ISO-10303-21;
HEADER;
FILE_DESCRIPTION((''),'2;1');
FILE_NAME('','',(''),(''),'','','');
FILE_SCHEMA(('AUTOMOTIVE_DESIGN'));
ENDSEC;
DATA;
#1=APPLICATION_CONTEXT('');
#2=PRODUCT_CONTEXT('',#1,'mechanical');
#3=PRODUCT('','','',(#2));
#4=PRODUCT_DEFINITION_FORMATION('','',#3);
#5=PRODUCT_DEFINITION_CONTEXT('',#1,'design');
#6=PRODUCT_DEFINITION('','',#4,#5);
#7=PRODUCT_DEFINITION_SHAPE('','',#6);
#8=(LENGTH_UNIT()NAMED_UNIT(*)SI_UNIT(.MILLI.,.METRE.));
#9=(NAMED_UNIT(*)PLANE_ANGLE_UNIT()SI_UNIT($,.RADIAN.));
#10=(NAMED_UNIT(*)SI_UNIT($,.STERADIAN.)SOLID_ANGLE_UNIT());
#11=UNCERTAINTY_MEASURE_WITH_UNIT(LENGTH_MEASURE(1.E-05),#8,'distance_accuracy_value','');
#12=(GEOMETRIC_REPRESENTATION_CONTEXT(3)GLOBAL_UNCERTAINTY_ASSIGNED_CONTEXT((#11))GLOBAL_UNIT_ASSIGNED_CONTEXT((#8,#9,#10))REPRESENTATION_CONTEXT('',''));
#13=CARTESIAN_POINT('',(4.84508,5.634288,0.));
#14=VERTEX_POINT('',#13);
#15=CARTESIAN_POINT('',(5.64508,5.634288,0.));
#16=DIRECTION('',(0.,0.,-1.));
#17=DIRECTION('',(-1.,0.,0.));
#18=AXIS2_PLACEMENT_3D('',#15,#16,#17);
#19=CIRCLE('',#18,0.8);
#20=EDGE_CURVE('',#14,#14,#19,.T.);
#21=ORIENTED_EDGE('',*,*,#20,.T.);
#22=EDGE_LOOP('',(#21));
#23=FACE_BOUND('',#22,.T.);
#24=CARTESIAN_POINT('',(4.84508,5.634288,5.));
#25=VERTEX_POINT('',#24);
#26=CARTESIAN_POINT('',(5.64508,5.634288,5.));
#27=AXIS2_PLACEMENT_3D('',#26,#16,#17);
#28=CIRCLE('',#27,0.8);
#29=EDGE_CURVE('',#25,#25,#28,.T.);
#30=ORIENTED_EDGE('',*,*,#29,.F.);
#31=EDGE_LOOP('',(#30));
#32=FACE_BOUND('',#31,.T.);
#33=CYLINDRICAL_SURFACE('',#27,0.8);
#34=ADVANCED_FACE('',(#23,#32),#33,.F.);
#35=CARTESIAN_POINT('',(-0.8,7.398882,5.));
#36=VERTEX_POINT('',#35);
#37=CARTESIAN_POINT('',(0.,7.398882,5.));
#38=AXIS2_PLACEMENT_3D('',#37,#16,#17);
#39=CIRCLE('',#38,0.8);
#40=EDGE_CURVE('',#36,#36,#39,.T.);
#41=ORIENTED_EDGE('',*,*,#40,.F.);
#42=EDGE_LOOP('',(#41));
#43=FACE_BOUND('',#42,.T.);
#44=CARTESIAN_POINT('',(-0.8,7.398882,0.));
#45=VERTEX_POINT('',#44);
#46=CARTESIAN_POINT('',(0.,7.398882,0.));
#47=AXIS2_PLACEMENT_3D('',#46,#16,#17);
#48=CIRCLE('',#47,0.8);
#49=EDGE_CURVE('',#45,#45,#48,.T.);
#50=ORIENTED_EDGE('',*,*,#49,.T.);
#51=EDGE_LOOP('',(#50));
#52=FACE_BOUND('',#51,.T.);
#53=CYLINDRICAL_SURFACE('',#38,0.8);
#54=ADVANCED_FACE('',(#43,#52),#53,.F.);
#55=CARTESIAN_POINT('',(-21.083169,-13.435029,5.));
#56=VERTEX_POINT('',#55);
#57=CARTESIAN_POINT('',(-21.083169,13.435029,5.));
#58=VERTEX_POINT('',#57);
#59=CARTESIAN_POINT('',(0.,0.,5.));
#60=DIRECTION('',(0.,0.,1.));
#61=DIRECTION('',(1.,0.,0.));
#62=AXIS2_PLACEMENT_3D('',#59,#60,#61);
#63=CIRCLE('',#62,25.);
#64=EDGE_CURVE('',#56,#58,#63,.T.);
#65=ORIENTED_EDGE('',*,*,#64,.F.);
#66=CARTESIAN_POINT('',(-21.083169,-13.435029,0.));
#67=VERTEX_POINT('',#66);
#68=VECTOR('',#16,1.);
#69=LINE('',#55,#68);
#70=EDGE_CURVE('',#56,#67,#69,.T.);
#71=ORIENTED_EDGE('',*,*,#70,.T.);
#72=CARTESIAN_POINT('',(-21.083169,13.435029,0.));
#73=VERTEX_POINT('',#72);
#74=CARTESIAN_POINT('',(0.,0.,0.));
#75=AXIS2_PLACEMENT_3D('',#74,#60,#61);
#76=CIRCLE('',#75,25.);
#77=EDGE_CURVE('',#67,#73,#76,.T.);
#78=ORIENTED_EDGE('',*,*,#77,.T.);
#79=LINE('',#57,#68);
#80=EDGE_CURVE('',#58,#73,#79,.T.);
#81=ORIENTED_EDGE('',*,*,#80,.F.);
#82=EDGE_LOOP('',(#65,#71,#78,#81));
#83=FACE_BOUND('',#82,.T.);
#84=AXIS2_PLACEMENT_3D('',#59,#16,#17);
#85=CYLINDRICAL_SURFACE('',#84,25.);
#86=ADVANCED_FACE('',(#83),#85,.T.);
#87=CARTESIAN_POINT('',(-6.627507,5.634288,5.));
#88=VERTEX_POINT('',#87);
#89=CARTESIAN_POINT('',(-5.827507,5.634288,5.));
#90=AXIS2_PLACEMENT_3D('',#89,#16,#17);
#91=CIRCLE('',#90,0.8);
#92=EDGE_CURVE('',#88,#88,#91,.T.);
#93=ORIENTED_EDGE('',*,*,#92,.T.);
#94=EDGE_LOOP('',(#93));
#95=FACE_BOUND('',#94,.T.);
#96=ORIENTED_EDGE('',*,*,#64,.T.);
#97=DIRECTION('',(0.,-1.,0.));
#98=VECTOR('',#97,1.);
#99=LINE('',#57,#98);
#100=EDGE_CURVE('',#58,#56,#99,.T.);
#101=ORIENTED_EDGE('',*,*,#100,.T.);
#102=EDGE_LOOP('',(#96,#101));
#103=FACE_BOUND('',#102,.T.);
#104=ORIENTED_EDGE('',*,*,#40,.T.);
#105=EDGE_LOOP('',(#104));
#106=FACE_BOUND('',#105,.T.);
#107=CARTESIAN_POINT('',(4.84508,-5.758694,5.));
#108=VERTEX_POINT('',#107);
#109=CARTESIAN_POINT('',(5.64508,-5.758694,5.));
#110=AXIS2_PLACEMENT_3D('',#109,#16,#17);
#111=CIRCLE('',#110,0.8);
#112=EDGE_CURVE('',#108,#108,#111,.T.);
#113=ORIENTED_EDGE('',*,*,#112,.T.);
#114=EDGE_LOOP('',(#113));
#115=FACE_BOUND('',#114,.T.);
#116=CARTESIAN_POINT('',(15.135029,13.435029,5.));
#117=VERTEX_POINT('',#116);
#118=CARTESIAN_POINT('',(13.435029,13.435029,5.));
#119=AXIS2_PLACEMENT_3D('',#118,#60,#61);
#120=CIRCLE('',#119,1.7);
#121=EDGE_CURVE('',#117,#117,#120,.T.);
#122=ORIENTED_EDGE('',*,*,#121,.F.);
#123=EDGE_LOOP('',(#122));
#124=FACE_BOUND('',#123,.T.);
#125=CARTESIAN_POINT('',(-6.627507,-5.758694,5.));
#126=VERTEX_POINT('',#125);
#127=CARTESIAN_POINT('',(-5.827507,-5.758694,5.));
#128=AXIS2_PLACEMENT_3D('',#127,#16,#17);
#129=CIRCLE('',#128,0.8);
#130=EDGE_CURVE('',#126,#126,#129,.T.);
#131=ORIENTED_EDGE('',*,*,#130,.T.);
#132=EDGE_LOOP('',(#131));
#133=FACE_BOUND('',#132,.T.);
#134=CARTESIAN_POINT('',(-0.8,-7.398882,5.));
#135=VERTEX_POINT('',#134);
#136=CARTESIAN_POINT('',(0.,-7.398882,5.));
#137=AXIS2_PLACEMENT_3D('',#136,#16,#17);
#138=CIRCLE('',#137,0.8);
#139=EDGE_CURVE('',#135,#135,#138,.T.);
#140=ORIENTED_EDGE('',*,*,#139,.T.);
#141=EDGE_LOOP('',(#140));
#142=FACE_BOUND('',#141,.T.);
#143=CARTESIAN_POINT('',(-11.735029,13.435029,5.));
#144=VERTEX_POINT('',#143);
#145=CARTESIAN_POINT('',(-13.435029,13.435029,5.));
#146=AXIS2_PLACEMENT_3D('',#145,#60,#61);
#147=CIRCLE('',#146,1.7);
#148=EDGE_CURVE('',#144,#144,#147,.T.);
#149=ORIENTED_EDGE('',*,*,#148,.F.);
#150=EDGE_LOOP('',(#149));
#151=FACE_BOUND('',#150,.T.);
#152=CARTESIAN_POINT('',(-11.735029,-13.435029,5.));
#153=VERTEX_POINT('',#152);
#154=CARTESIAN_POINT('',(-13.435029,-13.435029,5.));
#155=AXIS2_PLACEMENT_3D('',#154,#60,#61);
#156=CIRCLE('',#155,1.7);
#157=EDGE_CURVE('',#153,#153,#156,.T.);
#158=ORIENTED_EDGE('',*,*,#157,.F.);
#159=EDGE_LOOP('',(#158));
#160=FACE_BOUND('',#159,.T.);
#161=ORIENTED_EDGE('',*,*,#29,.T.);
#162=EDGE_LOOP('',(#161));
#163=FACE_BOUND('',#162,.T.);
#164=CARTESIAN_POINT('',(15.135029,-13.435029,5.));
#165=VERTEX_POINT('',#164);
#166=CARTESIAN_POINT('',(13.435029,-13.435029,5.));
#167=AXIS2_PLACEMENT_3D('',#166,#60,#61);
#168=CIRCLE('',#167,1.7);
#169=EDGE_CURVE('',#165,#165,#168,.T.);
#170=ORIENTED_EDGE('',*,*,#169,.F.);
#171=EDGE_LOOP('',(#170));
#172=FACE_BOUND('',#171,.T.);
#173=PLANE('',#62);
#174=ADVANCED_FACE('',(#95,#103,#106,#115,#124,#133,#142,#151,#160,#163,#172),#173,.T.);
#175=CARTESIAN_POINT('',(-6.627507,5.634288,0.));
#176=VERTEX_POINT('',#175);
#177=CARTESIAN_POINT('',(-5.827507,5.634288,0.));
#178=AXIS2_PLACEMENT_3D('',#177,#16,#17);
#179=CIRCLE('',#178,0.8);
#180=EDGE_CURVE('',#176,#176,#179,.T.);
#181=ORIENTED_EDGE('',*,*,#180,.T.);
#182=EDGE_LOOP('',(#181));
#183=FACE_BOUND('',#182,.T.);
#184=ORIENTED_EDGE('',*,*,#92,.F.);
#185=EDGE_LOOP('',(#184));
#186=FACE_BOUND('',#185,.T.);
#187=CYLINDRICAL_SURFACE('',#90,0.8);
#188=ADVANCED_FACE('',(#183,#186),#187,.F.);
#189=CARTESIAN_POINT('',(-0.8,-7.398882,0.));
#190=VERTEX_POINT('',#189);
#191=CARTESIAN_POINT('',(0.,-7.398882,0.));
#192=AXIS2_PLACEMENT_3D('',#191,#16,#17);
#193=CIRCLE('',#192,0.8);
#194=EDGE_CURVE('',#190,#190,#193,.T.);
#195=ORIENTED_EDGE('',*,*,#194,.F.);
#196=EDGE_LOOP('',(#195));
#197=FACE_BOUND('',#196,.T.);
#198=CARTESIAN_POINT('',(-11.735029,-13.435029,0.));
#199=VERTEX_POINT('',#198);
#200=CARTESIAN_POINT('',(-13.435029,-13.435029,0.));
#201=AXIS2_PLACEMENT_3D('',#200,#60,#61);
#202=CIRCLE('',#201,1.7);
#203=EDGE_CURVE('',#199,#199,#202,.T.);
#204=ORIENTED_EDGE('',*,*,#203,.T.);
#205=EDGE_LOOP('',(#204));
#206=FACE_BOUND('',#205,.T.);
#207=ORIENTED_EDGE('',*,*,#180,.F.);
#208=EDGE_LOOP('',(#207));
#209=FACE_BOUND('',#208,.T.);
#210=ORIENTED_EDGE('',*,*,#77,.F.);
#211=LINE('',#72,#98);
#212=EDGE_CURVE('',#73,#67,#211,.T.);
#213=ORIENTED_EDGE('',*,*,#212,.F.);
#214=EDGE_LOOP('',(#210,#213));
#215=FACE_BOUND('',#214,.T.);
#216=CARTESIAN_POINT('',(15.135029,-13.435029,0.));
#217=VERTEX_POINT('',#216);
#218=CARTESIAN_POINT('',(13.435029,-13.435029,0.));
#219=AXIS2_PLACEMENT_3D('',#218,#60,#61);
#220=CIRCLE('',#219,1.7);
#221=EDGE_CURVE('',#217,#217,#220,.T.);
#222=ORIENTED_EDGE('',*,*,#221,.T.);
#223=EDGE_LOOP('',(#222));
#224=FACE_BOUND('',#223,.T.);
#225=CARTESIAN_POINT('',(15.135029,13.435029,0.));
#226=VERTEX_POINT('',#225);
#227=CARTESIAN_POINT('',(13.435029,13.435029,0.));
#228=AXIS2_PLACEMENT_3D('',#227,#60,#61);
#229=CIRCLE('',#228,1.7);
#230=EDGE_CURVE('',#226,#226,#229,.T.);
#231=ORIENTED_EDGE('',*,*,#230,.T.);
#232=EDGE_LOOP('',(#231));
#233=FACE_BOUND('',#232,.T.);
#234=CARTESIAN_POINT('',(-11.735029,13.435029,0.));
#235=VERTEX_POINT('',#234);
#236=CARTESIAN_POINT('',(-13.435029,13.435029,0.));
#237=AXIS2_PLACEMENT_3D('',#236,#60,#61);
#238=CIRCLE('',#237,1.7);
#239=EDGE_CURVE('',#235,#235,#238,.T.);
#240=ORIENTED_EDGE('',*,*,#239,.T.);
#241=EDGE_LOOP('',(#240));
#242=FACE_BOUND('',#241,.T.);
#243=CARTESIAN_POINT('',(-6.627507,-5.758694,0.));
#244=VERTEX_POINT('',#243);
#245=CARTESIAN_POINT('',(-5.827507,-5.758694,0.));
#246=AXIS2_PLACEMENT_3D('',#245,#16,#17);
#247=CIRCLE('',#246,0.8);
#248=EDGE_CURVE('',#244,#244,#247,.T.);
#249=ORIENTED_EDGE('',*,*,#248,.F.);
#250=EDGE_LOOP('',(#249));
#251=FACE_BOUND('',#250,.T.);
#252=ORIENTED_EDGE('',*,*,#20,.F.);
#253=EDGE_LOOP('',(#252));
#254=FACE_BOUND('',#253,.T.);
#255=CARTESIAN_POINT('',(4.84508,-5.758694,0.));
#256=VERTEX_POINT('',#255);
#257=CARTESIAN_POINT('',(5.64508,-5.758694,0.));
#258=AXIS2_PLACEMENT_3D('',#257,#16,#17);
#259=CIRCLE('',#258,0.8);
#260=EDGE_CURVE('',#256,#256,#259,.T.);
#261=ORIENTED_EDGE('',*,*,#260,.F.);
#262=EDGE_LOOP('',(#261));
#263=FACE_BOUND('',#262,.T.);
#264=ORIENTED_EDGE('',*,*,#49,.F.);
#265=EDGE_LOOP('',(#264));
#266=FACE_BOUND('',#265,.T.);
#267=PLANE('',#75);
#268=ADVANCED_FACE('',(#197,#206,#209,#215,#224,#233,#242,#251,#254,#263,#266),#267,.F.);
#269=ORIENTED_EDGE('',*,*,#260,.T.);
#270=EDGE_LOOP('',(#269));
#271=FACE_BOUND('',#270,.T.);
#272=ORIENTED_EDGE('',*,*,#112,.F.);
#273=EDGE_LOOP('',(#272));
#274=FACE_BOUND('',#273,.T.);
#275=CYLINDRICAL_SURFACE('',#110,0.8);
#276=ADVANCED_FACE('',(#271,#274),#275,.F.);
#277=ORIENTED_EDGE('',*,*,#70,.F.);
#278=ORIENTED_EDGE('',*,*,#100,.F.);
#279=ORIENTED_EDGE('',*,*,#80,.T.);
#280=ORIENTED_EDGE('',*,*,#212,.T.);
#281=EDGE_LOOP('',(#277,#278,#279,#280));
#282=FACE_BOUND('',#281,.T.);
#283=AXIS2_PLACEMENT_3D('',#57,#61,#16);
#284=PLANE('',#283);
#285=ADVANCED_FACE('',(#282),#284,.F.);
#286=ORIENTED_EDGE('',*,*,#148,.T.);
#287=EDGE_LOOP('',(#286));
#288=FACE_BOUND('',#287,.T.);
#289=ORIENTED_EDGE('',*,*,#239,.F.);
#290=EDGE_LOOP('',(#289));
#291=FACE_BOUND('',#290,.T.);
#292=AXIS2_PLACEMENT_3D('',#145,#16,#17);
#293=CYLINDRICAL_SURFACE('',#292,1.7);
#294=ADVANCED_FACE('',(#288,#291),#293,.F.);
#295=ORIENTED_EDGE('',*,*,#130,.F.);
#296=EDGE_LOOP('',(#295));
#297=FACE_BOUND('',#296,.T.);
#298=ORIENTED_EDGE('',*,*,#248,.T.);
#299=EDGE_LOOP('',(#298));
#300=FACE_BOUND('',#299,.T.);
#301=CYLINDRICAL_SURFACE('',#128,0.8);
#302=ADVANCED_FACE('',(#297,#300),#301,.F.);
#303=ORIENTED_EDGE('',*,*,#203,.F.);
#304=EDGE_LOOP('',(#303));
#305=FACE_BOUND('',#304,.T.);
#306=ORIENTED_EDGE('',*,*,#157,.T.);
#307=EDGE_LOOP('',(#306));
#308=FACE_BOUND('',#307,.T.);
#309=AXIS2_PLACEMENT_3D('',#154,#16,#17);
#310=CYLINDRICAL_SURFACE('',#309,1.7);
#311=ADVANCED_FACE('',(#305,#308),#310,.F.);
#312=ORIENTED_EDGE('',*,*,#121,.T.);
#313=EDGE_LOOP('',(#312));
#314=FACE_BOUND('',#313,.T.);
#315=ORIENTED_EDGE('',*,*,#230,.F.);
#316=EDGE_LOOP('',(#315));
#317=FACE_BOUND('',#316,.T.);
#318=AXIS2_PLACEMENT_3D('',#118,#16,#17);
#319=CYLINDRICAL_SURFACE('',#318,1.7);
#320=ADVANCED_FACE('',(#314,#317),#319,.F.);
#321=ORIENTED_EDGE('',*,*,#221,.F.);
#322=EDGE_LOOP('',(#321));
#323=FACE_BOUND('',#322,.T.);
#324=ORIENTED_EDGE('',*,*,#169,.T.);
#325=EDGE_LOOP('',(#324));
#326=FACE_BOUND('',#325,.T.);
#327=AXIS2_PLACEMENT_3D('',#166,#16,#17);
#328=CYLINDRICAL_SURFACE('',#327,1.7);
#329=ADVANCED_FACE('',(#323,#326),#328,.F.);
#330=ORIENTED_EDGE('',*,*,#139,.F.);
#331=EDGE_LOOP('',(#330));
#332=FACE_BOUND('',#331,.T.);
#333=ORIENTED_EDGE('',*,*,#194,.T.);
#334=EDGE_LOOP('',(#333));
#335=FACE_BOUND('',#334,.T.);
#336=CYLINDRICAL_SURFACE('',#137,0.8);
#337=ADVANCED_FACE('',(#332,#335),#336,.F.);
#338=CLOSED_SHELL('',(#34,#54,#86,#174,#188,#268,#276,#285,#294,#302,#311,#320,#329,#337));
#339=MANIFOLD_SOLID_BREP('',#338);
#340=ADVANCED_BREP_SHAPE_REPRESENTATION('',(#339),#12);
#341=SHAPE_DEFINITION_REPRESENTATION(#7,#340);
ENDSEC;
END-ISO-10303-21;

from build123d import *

# Parameters (mm, degrees)
ESQUISSE1_R             = 25
ESQUISSE1_R_2           = 1.7
BOSS_EXTRU_1_DEPTH      = 5
ESQUISSE11_R            = 0.8
ENL_V_MAT_EXTRU_1_DEPTH = 36.707142143
ESQUISSE13_W            = 4.903660669
ESQUISSE13_H            = 28.894120166
ENL_V_MAT_EXTRU_2_DEPTH = 36.707142143


with BuildPart() as part:
    # Esquisse1 → Boss.-Extru.1 (new body)
    with BuildSketch(Plane.XY):
        Circle(ESQUISSE1_R)
        with Locations((-13.435028843, 13.435028843)):
            Circle(ESQUISSE1_R_2, mode=Mode.SUBTRACT)
        with Locations((13.435028843, 13.435028843)):
            Circle(ESQUISSE1_R_2, mode=Mode.SUBTRACT)
        with Locations((13.435028843, -13.435028843)):
            Circle(ESQUISSE1_R_2, mode=Mode.SUBTRACT)
        with Locations((-13.435028843, -13.435028843)):
            Circle(ESQUISSE1_R_2, mode=Mode.SUBTRACT)
    extrude(amount=BOSS_EXTRU_1_DEPTH)

    # Esquisse11 → Enlèv. mat.-Extru.1 (cut, through all)
    with BuildSketch(Plane(origin=(0, 0, 0), x_dir=(-1, 0, 0), z_dir=(0, 0, -1))):
        with Locations((0, 7.398882196)):
            Circle(ESQUISSE11_R)
        with Locations((5.827506735, 5.634287936)):
            Circle(ESQUISSE11_R)
        with Locations((5.827506735, -5.758693792)):
            Circle(ESQUISSE11_R)
        with Locations((0, -7.398882196)):
            Circle(ESQUISSE11_R)
        with Locations((-5.645080413, -5.758693792)):
            Circle(ESQUISSE11_R)
        with Locations((-5.645080413, 5.634287936)):
            Circle(ESQUISSE11_R)
    extrude(amount=-ENL_V_MAT_EXTRU_1_DEPTH, mode=Mode.SUBTRACT)

    # Esquisse13 → Enlèv. mat.-Extru.2 (cut, through all)
    with BuildSketch(Plane(origin=(0, 0, 0), x_dir=(-1, 0, 0), z_dir=(0, 0, -1))):
        with Locations((23.534998976, -1.01203124)):
            Rectangle(ESQUISSE13_W, ESQUISSE13_H)
    extrude(amount=-ENL_V_MAT_EXTRU_2_DEPTH, mode=Mode.SUBTRACT)


solid = part.part
